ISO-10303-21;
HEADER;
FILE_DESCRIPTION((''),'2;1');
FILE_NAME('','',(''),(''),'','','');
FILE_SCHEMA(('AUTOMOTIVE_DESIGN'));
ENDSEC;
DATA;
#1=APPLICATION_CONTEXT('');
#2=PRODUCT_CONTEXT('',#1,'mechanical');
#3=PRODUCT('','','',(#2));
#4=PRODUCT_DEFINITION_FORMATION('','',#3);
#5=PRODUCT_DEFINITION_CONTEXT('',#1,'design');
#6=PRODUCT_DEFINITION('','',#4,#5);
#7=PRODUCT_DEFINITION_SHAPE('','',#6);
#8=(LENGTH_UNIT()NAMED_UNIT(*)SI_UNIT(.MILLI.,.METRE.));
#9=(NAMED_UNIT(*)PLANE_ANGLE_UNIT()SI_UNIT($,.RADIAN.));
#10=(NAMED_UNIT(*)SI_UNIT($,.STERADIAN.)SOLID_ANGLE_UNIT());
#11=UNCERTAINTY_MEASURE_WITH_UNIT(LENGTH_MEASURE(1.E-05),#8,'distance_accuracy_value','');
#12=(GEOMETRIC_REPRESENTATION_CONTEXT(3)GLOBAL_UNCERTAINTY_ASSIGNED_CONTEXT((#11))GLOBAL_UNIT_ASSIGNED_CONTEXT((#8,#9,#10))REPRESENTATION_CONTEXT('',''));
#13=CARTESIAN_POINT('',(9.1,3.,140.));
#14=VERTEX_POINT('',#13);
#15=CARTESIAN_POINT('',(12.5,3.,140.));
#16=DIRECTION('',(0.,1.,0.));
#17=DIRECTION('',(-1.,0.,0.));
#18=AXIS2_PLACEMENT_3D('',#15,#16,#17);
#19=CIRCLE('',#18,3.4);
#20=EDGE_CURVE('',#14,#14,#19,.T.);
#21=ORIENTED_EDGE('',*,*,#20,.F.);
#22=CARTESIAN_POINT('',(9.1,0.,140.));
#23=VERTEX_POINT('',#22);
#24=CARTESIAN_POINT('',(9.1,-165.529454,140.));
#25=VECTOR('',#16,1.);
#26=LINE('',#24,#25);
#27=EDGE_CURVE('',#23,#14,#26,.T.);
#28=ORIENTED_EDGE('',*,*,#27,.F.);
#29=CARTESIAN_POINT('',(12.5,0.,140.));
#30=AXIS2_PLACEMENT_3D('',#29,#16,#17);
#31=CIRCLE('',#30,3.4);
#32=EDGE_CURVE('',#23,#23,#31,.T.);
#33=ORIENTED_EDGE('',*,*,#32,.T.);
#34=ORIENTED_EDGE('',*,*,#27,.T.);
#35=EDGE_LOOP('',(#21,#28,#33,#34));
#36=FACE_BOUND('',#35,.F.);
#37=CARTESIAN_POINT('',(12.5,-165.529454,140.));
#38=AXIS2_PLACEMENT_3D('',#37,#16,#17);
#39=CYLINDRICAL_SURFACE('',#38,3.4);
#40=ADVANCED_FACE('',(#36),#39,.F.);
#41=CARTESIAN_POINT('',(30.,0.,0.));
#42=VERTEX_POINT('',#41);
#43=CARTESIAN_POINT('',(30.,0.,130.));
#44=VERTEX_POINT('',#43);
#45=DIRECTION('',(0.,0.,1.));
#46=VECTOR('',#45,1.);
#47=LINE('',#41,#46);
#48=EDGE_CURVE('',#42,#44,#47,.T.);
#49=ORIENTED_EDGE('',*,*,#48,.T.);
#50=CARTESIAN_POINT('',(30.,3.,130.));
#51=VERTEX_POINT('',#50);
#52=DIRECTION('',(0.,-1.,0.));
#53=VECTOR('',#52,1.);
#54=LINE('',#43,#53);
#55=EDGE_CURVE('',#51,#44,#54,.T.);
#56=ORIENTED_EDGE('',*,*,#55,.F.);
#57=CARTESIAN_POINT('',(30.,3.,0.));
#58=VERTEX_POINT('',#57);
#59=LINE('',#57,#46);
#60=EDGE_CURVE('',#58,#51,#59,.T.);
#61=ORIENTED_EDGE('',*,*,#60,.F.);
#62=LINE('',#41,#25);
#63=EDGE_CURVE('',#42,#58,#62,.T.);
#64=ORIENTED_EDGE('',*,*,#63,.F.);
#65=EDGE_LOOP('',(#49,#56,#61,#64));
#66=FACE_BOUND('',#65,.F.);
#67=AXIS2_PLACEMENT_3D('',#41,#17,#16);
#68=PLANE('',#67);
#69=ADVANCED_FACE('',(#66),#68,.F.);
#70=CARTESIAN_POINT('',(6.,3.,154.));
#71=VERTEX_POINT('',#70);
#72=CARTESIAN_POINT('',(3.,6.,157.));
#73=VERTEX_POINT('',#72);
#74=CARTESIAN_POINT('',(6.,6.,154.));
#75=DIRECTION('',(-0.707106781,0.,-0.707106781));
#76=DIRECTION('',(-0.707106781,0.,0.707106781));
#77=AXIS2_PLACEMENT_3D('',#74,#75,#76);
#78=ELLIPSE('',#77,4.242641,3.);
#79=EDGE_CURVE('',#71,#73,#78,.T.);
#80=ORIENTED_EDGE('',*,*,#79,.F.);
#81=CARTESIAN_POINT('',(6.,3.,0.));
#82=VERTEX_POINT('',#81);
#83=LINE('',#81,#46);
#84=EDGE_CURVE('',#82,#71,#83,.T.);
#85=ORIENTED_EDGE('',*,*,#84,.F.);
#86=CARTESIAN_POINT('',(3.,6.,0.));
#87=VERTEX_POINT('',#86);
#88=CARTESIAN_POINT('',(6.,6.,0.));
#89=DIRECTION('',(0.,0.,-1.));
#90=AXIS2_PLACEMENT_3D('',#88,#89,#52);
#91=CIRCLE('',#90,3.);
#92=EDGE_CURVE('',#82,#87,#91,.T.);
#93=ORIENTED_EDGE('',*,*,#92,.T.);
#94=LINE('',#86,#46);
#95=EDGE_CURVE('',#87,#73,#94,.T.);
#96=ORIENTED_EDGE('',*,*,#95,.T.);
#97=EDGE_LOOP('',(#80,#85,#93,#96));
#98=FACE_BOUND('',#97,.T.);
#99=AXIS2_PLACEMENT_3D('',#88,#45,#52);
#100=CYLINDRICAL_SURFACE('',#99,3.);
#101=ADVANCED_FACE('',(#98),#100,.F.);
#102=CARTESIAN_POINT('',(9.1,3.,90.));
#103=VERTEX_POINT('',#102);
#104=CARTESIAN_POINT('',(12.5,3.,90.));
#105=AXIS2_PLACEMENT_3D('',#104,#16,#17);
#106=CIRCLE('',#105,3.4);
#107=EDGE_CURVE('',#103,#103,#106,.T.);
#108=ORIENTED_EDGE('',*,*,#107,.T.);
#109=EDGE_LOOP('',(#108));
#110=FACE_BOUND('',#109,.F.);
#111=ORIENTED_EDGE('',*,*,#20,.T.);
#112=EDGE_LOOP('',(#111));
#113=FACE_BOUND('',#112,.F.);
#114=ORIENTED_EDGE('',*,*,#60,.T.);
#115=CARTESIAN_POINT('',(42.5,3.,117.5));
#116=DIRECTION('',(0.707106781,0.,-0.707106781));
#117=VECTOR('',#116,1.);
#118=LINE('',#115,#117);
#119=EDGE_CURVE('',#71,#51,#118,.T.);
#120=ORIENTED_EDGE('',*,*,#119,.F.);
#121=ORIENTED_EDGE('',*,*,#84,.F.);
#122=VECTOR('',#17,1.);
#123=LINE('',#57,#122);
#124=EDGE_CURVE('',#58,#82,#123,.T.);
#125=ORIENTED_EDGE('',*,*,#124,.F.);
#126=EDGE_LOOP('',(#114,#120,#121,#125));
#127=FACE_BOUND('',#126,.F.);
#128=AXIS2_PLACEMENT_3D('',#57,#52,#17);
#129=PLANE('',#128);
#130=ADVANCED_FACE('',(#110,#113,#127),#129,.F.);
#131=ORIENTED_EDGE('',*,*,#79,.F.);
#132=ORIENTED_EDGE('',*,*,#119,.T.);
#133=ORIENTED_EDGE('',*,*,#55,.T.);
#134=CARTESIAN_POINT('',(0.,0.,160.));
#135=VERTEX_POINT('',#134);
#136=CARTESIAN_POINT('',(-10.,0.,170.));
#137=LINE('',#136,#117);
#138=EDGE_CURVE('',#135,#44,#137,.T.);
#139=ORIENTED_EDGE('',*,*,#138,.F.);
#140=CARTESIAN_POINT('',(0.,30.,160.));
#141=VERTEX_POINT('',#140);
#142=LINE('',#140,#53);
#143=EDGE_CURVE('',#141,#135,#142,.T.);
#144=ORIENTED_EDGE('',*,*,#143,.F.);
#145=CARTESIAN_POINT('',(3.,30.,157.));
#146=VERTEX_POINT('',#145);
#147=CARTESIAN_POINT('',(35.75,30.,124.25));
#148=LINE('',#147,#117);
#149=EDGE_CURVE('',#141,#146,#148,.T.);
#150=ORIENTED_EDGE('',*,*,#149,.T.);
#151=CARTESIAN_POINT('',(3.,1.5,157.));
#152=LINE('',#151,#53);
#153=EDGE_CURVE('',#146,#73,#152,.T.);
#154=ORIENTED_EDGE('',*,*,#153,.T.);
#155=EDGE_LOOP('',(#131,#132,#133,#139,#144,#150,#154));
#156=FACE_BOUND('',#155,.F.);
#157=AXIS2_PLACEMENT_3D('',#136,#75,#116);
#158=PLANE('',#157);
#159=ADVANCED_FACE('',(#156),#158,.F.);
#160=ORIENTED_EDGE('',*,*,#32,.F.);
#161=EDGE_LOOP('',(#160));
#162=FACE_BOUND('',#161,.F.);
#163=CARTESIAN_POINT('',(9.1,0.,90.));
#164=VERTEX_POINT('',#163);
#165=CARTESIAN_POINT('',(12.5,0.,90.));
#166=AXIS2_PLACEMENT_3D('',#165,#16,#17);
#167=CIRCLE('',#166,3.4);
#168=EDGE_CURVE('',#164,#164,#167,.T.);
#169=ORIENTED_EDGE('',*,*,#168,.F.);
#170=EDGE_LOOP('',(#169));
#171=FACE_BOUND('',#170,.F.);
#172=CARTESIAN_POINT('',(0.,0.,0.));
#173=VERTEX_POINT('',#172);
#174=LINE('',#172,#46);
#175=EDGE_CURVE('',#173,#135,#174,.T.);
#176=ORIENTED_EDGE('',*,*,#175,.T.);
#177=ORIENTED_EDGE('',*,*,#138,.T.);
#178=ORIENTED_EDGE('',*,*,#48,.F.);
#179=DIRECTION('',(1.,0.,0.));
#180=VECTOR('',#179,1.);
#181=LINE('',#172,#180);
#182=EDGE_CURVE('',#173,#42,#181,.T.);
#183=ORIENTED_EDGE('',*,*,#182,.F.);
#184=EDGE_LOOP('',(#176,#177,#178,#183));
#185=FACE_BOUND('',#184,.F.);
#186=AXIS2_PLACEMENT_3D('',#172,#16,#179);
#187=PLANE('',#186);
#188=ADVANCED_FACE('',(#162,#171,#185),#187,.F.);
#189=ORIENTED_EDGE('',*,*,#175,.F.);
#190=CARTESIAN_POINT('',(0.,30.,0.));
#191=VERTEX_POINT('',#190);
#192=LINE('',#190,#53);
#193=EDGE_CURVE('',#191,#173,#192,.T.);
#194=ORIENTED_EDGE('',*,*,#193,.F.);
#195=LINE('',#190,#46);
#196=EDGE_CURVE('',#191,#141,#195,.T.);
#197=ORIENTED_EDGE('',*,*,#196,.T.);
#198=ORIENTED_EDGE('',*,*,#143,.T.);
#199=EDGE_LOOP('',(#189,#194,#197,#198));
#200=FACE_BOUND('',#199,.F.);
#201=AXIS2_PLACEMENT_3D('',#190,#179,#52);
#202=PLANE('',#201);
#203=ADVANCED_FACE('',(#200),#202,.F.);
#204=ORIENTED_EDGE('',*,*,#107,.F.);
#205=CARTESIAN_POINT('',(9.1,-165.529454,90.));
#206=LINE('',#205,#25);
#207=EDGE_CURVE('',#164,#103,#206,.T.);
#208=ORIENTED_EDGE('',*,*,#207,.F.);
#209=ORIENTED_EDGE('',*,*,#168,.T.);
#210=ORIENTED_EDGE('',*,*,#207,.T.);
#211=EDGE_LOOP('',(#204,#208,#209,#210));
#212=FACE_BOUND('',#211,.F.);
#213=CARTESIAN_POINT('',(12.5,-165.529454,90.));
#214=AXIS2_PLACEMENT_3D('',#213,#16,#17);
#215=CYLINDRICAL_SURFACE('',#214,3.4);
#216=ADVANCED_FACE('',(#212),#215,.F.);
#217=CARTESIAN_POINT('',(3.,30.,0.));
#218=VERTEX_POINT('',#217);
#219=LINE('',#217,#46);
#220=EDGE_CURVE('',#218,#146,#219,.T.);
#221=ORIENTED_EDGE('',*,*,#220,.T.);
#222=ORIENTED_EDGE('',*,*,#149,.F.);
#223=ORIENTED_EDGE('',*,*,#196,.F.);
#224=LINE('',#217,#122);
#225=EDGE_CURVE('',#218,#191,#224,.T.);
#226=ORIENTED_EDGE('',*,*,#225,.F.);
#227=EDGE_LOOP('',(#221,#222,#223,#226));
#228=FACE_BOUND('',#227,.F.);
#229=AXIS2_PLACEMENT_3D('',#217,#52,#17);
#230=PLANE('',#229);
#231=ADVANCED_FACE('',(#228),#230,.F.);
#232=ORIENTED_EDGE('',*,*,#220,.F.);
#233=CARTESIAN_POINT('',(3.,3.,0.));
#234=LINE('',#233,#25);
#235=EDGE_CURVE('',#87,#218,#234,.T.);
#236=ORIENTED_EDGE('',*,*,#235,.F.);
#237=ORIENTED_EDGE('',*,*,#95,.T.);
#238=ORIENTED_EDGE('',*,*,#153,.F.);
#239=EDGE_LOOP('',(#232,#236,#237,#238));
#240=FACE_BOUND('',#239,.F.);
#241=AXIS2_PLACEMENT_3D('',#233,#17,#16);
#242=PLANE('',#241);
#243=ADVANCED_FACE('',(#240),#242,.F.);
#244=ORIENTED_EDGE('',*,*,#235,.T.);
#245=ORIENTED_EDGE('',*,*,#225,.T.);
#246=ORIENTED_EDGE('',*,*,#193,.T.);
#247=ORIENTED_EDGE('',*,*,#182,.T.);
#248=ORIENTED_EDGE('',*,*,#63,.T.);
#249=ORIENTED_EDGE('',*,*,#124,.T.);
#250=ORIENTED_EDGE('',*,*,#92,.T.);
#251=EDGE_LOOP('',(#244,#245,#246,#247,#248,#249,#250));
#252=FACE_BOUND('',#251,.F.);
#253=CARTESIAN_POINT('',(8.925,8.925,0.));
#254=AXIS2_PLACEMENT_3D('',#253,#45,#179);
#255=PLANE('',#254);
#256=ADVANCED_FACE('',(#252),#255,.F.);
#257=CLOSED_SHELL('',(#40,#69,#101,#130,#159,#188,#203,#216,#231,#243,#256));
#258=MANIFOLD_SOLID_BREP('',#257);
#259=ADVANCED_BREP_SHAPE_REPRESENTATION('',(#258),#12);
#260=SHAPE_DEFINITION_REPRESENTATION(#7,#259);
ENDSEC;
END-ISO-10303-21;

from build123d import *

# Parameters (mm, degrees)
F1_DEPTH = 160
F2_R     = 3
F4_DEPTH = 30.001
F6_D     = 6.8


with BuildPart() as f1:
    # F0 (on Top) → F1 (new body)
    with BuildSketch(Plane.XY):
        Polygon((3, 30), (0, 30), (0, 0), (30, 0), (30, 3), (3, 3), align=None)
    extrude(amount=F1_DEPTH)

    # F2
    f2_edges = [f1.edges().sort_by_distance(p)[0] for p in [
        (3, 3, 80),
    ]]
    fillet(f2_edges, radius=F2_R)

    # F3 (on face) → F4 (cut, through all)
    with BuildSketch(Plane.XZ):
        Polygon((40, 170), (-10, 170), (40, 120), align=None)
    extrude(amount=-F4_DEPTH, mode=Mode.SUBTRACT)

    # F6 (through all)
    with Locations(Plane.XZ):
        with Locations((12.5, 140), (12.5, 90)):
            Hole(F6_D / 2)


solid = f1.part
